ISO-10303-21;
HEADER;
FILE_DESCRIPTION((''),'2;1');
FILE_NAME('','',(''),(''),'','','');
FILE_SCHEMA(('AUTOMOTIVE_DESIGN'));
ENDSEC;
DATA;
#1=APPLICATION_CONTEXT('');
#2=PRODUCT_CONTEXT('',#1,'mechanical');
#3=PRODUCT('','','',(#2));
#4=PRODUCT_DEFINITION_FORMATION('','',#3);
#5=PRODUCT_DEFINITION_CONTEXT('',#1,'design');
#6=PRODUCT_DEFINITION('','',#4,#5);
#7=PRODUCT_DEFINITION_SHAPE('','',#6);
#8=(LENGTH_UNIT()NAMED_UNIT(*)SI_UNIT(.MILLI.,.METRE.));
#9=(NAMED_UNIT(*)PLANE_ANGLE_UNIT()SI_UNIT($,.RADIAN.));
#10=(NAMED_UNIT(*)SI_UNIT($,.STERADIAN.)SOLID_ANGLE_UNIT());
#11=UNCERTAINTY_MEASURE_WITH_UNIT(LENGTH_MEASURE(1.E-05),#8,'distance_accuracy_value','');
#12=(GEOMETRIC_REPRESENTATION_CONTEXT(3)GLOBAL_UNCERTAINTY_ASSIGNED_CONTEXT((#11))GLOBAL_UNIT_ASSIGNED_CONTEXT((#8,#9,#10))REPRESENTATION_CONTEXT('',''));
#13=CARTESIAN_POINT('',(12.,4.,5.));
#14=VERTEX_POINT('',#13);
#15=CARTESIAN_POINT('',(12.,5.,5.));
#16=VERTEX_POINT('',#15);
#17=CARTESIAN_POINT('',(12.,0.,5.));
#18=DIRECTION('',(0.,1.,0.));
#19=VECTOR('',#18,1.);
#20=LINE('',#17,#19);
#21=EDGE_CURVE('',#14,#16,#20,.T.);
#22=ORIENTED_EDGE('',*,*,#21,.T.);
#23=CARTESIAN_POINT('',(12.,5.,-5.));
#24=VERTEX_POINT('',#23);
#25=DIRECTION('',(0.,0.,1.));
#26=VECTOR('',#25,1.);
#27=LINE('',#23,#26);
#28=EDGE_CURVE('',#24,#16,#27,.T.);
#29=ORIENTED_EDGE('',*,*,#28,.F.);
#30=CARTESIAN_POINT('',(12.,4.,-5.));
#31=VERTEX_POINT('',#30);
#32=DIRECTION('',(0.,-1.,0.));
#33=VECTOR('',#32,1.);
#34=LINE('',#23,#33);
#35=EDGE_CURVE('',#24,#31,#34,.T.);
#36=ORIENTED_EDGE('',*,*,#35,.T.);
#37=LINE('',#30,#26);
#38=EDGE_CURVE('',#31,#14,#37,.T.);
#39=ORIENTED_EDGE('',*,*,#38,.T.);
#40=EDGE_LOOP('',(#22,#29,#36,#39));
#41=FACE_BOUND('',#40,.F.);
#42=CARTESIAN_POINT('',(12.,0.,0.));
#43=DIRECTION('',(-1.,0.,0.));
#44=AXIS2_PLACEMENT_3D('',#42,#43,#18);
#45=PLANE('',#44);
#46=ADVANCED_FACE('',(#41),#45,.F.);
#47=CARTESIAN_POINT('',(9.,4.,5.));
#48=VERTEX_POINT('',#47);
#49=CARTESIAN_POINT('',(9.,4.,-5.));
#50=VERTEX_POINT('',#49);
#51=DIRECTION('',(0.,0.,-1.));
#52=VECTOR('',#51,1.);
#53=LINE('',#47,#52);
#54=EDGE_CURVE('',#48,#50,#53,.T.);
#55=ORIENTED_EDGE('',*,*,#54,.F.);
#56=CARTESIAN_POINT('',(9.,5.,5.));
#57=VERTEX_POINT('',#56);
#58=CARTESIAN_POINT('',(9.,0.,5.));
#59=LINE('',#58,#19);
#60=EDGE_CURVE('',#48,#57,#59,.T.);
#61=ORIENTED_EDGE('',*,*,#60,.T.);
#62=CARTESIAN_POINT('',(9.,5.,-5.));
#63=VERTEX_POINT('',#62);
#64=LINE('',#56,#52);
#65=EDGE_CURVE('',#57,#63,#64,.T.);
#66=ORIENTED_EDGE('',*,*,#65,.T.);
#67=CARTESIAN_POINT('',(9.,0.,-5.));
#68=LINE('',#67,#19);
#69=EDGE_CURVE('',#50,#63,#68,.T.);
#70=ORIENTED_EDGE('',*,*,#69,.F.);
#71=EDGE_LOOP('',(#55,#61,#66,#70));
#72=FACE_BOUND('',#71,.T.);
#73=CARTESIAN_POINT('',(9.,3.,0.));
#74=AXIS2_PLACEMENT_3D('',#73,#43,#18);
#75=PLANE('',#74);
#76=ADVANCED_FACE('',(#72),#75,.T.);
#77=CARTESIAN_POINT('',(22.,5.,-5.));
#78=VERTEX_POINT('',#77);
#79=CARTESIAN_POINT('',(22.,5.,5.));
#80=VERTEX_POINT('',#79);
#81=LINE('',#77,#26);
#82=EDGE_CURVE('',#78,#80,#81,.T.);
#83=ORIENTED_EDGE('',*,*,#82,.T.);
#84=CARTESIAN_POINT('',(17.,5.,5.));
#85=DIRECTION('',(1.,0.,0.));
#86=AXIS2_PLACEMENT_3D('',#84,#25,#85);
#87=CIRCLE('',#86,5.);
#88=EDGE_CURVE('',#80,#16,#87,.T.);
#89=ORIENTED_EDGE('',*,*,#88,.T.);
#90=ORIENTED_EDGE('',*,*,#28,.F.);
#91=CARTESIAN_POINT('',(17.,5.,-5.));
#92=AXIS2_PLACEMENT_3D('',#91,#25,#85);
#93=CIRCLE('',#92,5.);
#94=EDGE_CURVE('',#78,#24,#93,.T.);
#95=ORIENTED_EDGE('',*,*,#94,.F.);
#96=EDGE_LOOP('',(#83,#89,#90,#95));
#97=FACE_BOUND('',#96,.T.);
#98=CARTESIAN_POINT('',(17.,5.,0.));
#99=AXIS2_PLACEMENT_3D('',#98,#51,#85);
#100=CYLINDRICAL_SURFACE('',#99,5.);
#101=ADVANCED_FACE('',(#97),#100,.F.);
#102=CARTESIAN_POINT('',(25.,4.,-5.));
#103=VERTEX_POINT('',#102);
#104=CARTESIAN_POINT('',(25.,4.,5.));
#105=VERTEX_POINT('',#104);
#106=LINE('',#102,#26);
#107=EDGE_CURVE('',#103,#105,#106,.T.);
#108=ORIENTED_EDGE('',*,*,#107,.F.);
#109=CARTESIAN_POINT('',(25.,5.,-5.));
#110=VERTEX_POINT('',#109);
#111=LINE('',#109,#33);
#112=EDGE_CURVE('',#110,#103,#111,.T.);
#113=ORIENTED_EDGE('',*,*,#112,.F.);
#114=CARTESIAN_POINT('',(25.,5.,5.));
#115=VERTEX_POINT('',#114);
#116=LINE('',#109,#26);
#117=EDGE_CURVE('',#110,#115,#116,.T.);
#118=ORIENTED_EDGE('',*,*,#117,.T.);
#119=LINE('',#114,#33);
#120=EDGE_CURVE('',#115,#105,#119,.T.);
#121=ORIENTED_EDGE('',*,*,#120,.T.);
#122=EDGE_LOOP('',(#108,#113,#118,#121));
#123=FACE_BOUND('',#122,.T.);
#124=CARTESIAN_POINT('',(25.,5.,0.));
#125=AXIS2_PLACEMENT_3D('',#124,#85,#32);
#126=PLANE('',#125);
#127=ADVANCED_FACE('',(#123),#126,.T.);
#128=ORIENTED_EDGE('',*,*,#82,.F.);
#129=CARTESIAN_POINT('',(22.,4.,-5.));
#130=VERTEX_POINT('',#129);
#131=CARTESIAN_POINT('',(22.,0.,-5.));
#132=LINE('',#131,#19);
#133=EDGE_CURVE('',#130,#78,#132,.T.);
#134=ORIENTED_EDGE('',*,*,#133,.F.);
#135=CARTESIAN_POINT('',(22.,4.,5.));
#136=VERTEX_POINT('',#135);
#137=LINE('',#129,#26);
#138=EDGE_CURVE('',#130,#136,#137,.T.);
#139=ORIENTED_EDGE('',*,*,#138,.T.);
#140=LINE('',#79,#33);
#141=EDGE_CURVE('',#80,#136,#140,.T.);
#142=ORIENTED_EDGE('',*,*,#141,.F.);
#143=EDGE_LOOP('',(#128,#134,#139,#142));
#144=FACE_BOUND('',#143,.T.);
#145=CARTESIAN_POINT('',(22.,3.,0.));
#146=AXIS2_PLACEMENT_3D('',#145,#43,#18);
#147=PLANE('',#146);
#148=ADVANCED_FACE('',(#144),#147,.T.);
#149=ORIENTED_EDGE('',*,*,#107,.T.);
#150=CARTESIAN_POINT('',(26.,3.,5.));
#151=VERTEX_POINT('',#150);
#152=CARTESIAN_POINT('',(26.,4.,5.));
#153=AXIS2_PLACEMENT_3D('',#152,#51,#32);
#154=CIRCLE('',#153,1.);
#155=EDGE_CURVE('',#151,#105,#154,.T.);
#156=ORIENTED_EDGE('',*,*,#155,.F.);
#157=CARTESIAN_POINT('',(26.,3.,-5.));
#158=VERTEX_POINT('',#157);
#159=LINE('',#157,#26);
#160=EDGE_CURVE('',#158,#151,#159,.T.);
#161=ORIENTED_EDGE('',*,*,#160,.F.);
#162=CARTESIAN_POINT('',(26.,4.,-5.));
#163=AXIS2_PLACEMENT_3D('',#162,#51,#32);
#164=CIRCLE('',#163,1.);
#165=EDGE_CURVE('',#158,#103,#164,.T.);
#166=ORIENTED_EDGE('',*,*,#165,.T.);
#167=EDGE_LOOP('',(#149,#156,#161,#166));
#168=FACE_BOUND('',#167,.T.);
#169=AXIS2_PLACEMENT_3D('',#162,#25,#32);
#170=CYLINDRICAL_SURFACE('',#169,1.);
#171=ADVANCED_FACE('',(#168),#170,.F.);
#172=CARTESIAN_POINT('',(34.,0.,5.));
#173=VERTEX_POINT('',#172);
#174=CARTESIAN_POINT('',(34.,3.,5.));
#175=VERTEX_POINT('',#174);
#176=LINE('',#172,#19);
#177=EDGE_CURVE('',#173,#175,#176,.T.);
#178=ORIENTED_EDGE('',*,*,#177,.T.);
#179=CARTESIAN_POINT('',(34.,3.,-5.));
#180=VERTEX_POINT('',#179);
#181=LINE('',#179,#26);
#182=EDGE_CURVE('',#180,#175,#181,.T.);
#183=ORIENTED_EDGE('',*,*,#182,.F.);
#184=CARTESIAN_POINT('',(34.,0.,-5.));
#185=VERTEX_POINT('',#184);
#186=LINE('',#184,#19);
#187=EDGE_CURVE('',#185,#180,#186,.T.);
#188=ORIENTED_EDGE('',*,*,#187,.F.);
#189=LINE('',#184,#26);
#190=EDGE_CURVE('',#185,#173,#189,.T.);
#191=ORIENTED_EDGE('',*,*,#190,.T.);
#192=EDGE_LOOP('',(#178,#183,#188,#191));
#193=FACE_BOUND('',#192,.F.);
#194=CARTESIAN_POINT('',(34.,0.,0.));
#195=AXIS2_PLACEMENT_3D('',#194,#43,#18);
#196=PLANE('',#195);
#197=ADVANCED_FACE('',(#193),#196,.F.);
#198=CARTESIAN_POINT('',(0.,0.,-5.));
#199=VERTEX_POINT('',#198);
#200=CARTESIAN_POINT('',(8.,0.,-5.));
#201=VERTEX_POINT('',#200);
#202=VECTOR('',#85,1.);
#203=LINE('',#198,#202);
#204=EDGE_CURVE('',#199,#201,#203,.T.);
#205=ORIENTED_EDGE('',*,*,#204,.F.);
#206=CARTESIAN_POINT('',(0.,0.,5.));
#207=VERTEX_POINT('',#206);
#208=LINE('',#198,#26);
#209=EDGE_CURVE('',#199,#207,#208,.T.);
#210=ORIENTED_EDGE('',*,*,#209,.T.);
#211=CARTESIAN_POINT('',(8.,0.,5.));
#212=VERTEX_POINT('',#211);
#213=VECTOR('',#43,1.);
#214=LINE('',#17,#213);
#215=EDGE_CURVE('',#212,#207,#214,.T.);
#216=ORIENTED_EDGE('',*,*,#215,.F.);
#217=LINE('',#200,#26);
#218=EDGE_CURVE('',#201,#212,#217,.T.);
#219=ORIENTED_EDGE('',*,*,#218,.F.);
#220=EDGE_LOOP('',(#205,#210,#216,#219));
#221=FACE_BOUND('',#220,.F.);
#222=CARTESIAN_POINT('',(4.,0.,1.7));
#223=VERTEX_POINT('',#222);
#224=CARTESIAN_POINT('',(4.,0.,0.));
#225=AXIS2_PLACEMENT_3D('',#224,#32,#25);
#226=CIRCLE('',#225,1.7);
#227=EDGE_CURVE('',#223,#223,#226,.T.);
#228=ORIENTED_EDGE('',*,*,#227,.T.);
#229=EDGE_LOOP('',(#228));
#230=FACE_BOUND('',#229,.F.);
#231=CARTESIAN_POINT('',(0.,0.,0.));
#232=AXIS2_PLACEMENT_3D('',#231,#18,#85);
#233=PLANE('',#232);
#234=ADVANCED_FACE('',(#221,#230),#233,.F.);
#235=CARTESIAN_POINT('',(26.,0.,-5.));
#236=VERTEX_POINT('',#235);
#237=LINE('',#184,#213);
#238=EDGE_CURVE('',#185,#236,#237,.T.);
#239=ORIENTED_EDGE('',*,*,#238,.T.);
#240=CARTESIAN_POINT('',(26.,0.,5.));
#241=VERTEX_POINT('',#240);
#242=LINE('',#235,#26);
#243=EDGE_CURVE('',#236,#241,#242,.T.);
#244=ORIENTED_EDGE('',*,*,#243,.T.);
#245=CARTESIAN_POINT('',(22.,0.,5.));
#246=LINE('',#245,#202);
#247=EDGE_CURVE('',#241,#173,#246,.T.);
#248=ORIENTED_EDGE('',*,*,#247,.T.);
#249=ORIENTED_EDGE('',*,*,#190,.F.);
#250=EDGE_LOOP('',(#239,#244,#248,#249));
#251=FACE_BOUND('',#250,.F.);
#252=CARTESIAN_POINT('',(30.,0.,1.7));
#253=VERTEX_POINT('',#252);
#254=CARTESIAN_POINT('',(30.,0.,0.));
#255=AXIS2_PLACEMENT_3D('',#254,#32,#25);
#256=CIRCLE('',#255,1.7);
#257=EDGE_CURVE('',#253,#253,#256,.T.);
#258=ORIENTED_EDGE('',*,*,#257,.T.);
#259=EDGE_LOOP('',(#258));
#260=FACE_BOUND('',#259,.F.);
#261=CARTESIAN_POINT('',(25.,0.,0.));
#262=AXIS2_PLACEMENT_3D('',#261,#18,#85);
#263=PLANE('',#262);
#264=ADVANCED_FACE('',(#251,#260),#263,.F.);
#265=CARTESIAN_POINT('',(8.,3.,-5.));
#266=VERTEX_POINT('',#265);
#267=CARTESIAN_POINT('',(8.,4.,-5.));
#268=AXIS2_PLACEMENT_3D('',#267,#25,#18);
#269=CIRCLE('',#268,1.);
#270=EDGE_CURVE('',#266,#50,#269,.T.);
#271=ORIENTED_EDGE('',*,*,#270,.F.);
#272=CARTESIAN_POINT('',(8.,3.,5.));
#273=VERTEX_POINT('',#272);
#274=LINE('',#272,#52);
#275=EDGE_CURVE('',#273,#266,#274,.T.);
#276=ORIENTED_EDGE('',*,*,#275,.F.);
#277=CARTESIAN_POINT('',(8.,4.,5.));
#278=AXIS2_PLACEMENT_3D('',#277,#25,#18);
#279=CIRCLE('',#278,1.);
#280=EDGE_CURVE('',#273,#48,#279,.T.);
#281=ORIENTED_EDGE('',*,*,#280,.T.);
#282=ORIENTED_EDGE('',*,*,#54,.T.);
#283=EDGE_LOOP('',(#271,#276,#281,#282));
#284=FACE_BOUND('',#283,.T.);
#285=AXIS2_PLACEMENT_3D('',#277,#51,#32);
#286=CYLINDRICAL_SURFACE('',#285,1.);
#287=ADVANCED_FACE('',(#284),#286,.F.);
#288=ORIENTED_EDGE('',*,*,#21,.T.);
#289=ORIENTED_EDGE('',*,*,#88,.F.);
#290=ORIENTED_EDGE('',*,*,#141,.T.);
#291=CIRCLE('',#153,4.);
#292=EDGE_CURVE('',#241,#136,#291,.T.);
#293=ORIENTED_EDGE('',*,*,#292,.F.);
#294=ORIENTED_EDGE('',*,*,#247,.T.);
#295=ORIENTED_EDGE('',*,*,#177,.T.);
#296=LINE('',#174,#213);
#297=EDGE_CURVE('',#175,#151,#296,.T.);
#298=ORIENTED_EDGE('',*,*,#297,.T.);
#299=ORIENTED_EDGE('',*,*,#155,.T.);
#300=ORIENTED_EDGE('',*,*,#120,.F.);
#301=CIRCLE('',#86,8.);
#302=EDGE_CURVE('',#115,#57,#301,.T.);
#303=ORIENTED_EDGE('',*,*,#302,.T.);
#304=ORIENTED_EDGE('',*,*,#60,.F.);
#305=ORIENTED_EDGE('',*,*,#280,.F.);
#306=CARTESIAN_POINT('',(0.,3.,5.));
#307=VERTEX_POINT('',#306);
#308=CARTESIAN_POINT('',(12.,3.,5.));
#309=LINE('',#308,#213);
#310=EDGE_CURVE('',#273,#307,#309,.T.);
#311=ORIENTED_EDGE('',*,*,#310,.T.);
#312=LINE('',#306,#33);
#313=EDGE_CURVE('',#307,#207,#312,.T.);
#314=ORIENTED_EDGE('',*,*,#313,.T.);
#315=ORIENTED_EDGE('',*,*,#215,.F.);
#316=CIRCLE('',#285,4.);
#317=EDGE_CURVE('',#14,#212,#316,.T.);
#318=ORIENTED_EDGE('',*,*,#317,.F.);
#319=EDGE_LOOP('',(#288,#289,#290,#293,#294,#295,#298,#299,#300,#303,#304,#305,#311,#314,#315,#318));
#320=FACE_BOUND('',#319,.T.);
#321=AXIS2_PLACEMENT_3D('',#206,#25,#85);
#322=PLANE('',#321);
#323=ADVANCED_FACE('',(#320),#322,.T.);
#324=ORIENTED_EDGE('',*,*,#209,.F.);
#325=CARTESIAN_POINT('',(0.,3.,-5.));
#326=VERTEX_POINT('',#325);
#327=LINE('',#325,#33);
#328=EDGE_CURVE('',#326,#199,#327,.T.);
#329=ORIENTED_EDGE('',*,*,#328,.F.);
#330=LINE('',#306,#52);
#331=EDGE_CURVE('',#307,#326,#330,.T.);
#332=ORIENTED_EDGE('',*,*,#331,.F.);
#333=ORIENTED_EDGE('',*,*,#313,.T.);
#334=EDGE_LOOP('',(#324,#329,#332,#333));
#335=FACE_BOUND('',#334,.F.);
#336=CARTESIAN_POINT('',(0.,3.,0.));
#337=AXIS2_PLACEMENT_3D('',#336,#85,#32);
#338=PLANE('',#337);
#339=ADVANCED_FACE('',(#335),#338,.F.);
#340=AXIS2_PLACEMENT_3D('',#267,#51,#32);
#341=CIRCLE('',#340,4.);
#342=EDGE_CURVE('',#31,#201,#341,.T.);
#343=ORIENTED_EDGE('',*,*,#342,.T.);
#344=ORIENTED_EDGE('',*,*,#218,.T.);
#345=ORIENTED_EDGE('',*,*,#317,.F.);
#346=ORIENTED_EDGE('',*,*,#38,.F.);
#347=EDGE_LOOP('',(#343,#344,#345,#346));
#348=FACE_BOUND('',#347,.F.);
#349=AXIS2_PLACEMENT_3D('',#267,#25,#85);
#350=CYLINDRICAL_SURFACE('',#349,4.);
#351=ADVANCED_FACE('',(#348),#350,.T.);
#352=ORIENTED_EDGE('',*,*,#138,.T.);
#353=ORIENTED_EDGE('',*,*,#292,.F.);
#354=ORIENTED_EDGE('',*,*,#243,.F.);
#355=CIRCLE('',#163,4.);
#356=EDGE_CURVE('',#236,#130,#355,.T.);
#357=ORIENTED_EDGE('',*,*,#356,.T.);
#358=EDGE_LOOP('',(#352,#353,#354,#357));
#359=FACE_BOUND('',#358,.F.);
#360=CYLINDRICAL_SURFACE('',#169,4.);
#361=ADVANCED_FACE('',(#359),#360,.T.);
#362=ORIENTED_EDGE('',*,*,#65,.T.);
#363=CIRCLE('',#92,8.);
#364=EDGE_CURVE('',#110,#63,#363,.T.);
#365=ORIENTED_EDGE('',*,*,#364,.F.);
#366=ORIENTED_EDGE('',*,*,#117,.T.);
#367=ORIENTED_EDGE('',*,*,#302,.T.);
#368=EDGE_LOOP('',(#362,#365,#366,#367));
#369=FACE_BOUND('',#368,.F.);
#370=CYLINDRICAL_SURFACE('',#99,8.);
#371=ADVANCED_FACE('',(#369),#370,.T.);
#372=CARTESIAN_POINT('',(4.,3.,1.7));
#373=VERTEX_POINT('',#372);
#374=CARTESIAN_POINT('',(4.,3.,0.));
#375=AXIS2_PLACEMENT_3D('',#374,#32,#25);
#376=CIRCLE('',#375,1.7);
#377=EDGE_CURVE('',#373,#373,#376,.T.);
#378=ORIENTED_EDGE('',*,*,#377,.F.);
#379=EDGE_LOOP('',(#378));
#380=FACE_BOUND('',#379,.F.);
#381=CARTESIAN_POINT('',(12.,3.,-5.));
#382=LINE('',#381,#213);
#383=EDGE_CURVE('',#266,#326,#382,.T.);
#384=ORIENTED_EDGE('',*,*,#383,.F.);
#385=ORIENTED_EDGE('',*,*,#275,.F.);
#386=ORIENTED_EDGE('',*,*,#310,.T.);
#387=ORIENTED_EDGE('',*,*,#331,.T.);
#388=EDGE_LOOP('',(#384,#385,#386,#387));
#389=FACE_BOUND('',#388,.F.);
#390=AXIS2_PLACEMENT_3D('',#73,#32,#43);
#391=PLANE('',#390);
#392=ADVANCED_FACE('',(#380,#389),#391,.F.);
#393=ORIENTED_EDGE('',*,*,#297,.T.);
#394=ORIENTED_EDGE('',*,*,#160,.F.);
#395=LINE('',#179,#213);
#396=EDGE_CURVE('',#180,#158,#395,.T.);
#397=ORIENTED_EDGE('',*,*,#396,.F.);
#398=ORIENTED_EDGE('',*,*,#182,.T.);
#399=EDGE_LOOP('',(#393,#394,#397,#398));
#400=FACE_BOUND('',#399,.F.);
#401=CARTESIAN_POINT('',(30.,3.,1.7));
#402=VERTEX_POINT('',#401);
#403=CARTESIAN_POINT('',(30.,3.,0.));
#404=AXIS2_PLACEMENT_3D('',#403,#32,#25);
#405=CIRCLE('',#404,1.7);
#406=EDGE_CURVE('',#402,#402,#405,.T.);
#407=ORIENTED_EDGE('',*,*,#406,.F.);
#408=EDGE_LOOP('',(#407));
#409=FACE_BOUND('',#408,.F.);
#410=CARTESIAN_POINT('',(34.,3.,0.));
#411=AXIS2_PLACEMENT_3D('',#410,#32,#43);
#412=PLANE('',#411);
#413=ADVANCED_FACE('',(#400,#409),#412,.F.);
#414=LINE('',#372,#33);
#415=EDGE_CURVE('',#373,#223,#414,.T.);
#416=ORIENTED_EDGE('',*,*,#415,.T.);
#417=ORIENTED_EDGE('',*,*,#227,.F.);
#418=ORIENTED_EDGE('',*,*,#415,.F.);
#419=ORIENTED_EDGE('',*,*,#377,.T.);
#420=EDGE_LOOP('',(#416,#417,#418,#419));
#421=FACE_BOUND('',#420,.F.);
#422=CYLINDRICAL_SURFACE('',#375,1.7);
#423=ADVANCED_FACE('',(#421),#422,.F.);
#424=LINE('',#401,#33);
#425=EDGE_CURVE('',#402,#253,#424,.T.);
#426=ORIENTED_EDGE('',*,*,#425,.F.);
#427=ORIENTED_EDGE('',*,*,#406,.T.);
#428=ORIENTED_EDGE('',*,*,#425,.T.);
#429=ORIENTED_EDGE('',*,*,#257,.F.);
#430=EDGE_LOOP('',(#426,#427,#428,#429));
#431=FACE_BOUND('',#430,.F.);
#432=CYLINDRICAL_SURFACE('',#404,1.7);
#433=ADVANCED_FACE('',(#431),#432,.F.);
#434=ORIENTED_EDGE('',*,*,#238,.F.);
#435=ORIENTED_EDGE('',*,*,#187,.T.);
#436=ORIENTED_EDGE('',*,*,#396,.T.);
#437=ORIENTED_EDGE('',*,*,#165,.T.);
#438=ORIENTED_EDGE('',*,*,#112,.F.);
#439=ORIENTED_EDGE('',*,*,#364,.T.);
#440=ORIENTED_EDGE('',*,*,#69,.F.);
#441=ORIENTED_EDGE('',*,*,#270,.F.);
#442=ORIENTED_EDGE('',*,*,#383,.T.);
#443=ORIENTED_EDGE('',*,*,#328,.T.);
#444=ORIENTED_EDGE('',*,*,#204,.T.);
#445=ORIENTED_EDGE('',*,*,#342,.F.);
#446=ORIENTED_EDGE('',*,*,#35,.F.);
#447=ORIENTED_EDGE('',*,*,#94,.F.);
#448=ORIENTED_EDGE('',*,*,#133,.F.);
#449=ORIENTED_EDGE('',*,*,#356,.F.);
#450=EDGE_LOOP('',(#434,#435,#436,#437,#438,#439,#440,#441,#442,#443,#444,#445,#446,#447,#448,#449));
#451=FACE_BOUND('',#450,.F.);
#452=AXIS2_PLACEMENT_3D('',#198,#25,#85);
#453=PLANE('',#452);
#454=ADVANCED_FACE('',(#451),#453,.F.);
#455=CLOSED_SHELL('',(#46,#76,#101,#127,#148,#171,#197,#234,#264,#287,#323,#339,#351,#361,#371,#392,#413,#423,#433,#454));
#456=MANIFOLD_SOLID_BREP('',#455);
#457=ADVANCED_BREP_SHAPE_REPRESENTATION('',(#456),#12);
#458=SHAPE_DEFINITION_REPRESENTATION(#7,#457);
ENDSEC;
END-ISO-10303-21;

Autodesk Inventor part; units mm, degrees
ref_plane "YZ Plane" through (0, 0, 0) normal (1, 0, 0) x (0, 1, 0)
ref_plane "XZ Plane" through (0, 0, 0) normal (0, 1, 0) x (-1, 0, 0)
ref_plane "XY Plane" through (0, 0, 0) normal (0, 0, 1) x (1, 0, 0)
sketch "Sketch1" plane through (0, 0, 0) normal (0, 0, 1) x (1, 0, 0)
  line L0 (0, 0) -> (12, 0)
  line L1 (12, 0) -> (12, 3)
  line L2 (12, 3) -> (0, 3)
  line L3 (0, 3) -> (0, 0)
  line L4 (12, 0) -> (9, 0)
  line L5 (9, 0) -> (9, 5)
  line L6 (9, 5) -> (12, 5)
  line L7 (12, 5) -> (12, 0)
  line L8 (22, 5) -> (25, 5)
  line L9 (25, 5) -> (25, 0)
  line L10 (25, 0) -> (22, 0)
  line L11 (22, 0) -> (22, 5)
  line L12 (22, 0) -> (34, 0)
  line L13 (34, 0) -> (34, 3)
  line L14 (34, 3) -> (22, 3)
  line L15 (22, 3) -> (22, 0)
  arc A0 (25, 5) -> (9, 5) centre (17, 5) ccw
  arc A1 (22, 5) -> (12, 5) centre (17, 5) ccw
  dimension "d0" = 3
  dimension "d1" = 3
  dimension "d2" = 12
  dimension "d3" = 12
  dimension "d4" = 5
  dimension "d5" = 5
extrude "Extrusion1" add sketch "Sketch1" along normal mid plane 10
fillet "Fillet1" radius 1 2 edges at (25, 3, 0) (9, 3, 0)
fillet "Fillet2" radius 4 2 edges at (22, 0, 0) (12, 0, 0)
sketch "Sketch2" plane through (0, 3, 5) normal (0, 1, 0) x (1, 0, 0)
  line L0 (0, 10) -> (0, 0) projected
  line L1 (0, 10) -> (8, 10) projected
  line L2 (26, 10) -> (34, 10) projected
  point P0 (0, 5)
  point P1 (4, 5)
  point P2 (30, 5)
  point P3 (0, 5)
  point P4 (4, 10)
  point P5 (30, 10)
  dimension "d10" = 26
hole "Hole1" at (4, 3, 0) at (30, 3, 0) direction (0, -1, 0) diameter 3.4 end through all clearance for "Flat Head Machine Screw" size "M3" standard "Ansi Metric M Profile"
equation "\"d1\" = d0"
equation "\"d3\" = d2"
properties part number "Top_Cable Tie" material "Aluminum 6061"
